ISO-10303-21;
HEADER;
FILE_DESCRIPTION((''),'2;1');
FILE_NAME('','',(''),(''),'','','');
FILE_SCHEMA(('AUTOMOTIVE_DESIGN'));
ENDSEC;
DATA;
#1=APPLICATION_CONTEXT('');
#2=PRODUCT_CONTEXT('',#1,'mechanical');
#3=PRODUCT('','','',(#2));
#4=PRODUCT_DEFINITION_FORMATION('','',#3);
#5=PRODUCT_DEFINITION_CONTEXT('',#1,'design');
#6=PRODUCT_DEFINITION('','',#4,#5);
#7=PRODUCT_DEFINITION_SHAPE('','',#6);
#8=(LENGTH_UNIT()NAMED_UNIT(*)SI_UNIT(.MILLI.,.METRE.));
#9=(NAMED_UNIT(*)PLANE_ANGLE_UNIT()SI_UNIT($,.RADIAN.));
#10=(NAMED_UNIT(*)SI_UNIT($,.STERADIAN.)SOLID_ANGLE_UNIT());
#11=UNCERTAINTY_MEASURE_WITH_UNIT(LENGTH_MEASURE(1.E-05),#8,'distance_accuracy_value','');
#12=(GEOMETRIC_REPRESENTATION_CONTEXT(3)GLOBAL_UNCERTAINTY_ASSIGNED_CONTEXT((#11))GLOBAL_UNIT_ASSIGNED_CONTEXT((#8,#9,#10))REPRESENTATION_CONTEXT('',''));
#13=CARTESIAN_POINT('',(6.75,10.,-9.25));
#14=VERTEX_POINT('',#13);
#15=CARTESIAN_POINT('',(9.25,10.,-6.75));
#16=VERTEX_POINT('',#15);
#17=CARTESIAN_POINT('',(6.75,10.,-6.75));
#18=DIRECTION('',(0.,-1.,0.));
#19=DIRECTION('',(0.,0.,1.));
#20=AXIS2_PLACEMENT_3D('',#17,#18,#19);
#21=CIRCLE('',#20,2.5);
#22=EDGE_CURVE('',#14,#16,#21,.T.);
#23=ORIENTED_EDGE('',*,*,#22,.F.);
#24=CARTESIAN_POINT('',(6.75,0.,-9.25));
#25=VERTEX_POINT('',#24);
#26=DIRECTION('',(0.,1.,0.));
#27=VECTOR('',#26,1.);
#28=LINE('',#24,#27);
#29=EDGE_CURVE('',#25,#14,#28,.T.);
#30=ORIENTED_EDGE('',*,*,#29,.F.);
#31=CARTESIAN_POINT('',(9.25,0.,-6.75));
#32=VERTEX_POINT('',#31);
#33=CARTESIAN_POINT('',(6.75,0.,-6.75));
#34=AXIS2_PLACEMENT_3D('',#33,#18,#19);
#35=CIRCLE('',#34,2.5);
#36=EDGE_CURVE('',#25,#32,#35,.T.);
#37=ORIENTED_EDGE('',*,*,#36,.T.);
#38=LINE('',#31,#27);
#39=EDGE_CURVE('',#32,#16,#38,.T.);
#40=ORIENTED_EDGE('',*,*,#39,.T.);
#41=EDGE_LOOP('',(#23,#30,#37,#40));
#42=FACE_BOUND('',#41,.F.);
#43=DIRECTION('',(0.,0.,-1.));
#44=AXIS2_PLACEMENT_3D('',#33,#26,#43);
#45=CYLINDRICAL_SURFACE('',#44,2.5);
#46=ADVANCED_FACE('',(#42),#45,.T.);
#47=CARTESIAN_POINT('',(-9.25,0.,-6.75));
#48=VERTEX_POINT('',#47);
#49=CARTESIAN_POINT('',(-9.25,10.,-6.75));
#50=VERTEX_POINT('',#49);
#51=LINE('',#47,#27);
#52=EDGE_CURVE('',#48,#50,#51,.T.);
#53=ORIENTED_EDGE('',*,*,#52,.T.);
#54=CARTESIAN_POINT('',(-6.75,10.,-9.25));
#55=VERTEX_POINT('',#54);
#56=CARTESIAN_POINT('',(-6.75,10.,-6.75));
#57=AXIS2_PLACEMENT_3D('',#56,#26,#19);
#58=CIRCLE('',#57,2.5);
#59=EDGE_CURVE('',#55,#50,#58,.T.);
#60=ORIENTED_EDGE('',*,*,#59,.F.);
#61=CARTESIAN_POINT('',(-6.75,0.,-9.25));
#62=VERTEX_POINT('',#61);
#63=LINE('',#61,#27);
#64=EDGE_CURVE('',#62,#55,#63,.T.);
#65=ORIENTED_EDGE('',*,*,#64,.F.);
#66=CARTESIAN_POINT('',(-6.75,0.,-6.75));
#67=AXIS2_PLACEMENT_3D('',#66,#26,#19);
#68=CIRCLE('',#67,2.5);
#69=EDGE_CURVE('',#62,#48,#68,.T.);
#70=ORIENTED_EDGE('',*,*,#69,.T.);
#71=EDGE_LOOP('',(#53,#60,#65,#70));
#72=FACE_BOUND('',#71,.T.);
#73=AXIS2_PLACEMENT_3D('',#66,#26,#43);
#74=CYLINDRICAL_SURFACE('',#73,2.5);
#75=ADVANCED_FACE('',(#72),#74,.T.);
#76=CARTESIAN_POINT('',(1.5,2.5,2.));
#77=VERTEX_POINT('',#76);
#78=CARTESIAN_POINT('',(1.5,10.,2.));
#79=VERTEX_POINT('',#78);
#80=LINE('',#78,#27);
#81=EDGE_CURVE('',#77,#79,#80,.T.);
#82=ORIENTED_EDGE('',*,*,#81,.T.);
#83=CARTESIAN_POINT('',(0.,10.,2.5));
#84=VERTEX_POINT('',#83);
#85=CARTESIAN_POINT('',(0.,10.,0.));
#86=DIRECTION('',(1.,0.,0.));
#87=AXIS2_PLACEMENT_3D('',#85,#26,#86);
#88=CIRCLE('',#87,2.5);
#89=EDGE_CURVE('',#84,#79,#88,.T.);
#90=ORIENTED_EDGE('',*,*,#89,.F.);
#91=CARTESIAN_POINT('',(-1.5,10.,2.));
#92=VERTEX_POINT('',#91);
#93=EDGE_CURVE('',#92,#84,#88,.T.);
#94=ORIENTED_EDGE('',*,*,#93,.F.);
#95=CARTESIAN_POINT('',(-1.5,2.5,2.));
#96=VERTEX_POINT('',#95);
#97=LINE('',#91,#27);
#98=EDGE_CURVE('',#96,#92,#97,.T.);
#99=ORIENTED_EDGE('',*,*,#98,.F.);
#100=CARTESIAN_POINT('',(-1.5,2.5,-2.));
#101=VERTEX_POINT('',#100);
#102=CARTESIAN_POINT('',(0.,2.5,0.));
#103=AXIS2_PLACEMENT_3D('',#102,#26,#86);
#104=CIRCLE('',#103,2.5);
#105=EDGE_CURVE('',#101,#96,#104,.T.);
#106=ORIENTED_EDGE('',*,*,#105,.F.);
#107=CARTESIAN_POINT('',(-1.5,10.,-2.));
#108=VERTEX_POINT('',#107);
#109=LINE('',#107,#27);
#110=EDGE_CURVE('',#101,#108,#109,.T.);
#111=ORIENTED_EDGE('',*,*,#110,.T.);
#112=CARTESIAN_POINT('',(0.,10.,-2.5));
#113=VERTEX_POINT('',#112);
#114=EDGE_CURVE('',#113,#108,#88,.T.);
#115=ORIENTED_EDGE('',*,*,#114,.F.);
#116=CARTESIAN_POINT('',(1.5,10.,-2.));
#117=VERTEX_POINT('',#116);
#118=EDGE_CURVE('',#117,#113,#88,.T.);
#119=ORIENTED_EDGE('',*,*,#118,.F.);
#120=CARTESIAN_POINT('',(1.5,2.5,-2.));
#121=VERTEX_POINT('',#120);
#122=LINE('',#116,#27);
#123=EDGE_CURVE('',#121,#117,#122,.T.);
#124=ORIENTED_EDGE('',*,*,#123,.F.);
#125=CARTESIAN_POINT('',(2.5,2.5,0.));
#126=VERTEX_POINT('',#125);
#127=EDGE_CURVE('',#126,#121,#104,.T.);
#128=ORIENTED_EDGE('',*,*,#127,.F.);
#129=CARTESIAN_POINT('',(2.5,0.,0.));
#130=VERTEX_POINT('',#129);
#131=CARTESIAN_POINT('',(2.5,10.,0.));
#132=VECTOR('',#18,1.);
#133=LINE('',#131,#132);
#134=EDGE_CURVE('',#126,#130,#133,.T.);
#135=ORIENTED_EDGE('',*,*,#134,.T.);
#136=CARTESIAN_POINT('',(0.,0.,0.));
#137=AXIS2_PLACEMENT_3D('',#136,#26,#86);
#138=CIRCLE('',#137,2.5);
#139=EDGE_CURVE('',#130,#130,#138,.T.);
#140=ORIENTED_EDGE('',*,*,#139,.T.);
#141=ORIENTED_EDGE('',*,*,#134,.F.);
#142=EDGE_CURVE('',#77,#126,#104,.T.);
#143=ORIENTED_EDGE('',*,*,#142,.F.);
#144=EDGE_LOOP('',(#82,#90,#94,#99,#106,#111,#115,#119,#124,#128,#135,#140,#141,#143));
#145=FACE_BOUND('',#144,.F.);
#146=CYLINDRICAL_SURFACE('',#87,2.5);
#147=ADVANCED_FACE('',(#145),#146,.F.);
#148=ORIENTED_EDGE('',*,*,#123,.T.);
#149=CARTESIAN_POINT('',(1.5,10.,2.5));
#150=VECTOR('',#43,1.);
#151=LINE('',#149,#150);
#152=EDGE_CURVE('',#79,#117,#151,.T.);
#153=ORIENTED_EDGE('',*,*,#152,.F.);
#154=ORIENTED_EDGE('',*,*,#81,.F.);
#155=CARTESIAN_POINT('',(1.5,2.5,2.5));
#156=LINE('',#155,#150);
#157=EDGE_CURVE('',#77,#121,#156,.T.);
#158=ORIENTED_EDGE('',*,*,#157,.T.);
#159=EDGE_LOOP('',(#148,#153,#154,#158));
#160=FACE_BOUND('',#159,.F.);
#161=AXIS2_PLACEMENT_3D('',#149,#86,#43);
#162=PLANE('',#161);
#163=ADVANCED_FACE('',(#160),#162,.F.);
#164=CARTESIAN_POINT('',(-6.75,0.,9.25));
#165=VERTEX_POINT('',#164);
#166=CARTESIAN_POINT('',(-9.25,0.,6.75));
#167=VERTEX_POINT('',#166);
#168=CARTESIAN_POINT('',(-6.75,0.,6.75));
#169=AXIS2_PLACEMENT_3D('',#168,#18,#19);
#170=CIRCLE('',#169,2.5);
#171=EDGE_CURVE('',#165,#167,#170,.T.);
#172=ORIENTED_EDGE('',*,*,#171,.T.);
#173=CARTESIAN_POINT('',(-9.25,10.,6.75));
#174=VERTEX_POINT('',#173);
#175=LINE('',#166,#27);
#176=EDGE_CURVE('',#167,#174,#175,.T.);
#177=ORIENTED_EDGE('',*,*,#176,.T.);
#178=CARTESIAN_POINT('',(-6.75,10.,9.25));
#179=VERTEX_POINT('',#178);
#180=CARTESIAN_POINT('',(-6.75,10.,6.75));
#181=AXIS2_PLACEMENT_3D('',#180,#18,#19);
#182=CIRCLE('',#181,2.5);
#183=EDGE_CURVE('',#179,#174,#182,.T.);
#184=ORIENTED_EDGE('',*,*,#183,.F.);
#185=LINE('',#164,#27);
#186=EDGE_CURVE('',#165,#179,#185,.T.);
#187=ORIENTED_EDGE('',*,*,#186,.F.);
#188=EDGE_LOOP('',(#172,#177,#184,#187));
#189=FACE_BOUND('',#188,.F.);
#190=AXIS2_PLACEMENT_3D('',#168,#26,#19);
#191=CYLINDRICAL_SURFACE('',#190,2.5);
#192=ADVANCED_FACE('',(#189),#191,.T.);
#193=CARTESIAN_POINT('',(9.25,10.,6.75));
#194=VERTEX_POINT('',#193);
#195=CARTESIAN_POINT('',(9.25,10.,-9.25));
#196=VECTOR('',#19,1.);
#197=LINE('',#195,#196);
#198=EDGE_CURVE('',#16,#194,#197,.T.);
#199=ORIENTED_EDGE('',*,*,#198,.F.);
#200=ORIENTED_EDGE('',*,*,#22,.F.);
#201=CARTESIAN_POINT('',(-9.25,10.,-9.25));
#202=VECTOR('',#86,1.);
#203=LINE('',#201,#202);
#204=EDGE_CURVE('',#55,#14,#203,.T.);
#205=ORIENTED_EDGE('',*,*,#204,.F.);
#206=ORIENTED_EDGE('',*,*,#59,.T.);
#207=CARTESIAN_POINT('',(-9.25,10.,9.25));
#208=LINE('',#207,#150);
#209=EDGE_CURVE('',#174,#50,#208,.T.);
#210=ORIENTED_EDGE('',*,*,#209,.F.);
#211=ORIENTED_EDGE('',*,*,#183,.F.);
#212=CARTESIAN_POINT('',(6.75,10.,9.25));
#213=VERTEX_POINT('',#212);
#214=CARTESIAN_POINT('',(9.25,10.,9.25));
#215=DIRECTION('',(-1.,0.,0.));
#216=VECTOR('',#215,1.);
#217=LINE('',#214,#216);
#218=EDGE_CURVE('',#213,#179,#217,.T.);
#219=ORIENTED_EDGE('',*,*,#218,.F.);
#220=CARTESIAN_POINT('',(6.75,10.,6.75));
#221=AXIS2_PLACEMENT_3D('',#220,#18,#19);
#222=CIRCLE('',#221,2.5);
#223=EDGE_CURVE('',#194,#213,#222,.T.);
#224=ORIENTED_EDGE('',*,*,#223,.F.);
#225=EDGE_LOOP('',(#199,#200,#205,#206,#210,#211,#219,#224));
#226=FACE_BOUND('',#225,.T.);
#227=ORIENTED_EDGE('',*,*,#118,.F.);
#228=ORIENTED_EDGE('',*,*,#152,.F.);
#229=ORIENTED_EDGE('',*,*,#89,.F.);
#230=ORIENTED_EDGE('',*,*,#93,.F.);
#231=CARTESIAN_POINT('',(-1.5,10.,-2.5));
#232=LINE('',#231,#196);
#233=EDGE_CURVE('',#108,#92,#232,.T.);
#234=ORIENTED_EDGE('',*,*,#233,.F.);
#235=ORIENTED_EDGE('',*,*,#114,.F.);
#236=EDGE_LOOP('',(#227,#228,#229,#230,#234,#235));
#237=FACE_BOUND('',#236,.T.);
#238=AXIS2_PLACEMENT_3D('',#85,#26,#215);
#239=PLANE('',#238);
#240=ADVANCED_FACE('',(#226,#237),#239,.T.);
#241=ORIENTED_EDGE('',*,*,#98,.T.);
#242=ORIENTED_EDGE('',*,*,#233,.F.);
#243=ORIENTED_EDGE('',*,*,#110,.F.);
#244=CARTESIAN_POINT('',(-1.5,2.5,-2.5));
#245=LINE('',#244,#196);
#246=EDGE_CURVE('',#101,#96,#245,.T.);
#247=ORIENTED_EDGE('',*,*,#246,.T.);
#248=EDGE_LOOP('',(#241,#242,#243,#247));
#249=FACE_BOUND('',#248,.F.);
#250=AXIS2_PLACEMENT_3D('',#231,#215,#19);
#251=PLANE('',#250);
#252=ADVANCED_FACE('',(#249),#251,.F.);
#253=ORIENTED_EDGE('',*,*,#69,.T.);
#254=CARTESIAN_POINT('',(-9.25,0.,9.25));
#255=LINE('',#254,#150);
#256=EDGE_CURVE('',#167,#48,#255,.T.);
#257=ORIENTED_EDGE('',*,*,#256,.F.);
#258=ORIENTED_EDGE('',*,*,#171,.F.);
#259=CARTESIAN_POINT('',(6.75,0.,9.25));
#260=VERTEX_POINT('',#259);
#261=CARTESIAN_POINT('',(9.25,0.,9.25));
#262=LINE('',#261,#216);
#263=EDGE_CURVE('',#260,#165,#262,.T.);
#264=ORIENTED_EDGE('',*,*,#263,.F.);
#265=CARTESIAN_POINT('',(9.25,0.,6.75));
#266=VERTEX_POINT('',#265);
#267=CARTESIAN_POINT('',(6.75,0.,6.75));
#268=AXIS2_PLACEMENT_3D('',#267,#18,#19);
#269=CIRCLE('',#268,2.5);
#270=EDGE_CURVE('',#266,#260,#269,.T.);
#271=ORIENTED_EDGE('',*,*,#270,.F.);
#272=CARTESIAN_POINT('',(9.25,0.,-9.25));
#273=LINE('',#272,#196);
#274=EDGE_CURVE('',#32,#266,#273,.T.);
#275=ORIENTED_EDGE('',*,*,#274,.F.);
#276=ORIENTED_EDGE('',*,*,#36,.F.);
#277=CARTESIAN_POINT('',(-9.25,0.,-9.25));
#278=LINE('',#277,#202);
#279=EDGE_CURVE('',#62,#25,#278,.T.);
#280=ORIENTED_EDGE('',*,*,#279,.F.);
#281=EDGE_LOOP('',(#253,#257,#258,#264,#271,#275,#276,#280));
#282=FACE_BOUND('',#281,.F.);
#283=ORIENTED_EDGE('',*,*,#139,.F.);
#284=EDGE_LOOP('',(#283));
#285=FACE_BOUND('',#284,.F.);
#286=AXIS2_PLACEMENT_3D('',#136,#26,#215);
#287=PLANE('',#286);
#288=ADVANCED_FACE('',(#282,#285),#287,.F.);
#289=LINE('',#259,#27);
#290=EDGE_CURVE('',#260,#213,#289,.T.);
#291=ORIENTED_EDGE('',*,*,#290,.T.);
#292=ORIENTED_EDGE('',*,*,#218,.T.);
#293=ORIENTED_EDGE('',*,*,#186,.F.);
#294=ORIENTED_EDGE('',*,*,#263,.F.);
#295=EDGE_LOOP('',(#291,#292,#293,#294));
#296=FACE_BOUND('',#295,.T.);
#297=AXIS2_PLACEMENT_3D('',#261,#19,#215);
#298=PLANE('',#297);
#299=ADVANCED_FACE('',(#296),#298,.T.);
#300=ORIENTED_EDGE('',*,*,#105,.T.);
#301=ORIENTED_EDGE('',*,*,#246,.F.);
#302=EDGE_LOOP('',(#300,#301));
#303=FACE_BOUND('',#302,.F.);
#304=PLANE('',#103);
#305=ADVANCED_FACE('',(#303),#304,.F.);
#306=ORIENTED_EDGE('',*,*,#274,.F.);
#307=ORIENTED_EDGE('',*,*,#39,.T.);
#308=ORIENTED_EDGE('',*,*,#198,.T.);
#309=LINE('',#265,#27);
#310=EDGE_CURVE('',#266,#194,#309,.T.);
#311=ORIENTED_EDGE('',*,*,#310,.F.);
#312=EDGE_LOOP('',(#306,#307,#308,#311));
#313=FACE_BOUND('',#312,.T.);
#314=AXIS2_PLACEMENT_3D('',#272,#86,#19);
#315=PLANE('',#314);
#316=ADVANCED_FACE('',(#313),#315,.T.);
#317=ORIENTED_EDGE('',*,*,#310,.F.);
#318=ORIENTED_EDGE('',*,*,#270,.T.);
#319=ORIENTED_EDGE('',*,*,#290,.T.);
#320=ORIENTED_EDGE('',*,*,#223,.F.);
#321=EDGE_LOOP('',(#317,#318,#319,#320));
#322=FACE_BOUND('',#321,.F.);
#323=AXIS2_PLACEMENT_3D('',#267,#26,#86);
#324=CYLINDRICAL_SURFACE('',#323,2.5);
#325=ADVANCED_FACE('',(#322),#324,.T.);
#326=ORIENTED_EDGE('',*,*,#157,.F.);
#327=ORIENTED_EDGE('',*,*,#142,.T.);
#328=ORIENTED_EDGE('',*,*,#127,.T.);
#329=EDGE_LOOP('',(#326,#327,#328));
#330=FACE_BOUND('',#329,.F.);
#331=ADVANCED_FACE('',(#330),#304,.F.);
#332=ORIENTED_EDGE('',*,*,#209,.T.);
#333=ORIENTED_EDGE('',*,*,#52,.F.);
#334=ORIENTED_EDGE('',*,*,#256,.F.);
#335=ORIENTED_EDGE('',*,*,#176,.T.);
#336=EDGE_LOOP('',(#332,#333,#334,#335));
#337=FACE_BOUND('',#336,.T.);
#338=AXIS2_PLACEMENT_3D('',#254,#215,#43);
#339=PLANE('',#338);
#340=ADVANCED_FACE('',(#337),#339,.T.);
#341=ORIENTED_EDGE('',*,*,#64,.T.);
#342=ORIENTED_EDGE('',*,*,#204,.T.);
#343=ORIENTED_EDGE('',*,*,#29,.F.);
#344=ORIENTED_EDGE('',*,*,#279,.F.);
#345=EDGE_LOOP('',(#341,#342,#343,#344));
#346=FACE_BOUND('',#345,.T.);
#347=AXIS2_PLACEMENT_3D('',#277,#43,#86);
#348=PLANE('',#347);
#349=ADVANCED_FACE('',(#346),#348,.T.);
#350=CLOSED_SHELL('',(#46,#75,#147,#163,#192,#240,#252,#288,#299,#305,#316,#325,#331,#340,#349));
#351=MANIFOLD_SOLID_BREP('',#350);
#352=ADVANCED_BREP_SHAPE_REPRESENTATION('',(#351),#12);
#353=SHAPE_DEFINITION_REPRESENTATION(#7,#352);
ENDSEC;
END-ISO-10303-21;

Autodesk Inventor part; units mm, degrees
ref_plane "YZ Plane" through (0, 0, 0) normal (1, 0, 0) x (0, 1, 0)
ref_plane "XZ Plane" through (0, 0, 0) normal (0, 1, 0) x (-1, 0, 0)
ref_plane "XY Plane" through (0, 0, 0) normal (0, 0, 1) x (1, 0, 0)
sketch "Sketch1" plane through (0, 0, 0) normal (0, 1, 0) x (-1, 0, 0)
  line L0 (9.25, -9.25) -> (-9.25, -9.25)
  line L1 (-9.25, -9.25) -> (-9.25, 9.25)
  line L2 (-9.25, 9.25) -> (9.25, 9.25)
  line L3 (9.25, 9.25) -> (9.25, -9.25)
  point P0 (0, 0)
  point P1 (0, 0)
  dimension "d0" = 18.5
extrude "Extrusion1" add sketch "Sketch1" along normal blind 10
fillet "Fillet1" radius 2.5 4 edges at (9.25, 5, 9.25) (-9.25, 5, 9.25) (9.25, 5, -9.25) (-9.25, 5, -9.25)
sketch "Sketch2" plane through (0, 10, 0) normal (0, 1, 0) x (1, 0, 0)
  circle A0 centre (0, 0) radius 2.5
  dimension "d4" = 5
extrude "Extrusion2" cut sketch "Sketch2" against normal through all
sketch "Sketch3" plane through (0, 10, 0) normal (0, 1, 0) x (1, 0, 0)
  line L0 (-1.5, -2.5) -> (1.5, -2.5)
  line L1 (1.5, -2.5) -> (1.5, 2.5)
  line L2 (1.5, 2.5) -> (-1.5, 2.5)
  line L3 (-1.5, 2.5) -> (-1.5, -2.5)
  line L4 (-1.5, -2.5) -> (1.5, 2.5) construction
  line L5 (1.5, -2.5) -> (-1.5, 2.5) construction
  line L6 (-3.8508, -4.7625) -> (3.8508, -4.7625)
  line L7 (3.8508, -4.7625) -> (3.8508, 4.7625)
  line L8 (3.8508, 4.7625) -> (-3.8508, 4.7625)
  line L9 (-3.8508, 4.7625) -> (-3.8508, -4.7625)
  line L10 (-3.8508, -4.7625) -> (3.8508, 4.7625) construction
  line L11 (3.8508, -4.7625) -> (-3.8508, 4.7625) construction
  point P0 (0, 0)
  point P1 (0, 0)
  dimension "d7" = 3
extrude "Extrusion3" add sketch "Sketch3" against normal blind 7.5
properties part number "servo connector"
